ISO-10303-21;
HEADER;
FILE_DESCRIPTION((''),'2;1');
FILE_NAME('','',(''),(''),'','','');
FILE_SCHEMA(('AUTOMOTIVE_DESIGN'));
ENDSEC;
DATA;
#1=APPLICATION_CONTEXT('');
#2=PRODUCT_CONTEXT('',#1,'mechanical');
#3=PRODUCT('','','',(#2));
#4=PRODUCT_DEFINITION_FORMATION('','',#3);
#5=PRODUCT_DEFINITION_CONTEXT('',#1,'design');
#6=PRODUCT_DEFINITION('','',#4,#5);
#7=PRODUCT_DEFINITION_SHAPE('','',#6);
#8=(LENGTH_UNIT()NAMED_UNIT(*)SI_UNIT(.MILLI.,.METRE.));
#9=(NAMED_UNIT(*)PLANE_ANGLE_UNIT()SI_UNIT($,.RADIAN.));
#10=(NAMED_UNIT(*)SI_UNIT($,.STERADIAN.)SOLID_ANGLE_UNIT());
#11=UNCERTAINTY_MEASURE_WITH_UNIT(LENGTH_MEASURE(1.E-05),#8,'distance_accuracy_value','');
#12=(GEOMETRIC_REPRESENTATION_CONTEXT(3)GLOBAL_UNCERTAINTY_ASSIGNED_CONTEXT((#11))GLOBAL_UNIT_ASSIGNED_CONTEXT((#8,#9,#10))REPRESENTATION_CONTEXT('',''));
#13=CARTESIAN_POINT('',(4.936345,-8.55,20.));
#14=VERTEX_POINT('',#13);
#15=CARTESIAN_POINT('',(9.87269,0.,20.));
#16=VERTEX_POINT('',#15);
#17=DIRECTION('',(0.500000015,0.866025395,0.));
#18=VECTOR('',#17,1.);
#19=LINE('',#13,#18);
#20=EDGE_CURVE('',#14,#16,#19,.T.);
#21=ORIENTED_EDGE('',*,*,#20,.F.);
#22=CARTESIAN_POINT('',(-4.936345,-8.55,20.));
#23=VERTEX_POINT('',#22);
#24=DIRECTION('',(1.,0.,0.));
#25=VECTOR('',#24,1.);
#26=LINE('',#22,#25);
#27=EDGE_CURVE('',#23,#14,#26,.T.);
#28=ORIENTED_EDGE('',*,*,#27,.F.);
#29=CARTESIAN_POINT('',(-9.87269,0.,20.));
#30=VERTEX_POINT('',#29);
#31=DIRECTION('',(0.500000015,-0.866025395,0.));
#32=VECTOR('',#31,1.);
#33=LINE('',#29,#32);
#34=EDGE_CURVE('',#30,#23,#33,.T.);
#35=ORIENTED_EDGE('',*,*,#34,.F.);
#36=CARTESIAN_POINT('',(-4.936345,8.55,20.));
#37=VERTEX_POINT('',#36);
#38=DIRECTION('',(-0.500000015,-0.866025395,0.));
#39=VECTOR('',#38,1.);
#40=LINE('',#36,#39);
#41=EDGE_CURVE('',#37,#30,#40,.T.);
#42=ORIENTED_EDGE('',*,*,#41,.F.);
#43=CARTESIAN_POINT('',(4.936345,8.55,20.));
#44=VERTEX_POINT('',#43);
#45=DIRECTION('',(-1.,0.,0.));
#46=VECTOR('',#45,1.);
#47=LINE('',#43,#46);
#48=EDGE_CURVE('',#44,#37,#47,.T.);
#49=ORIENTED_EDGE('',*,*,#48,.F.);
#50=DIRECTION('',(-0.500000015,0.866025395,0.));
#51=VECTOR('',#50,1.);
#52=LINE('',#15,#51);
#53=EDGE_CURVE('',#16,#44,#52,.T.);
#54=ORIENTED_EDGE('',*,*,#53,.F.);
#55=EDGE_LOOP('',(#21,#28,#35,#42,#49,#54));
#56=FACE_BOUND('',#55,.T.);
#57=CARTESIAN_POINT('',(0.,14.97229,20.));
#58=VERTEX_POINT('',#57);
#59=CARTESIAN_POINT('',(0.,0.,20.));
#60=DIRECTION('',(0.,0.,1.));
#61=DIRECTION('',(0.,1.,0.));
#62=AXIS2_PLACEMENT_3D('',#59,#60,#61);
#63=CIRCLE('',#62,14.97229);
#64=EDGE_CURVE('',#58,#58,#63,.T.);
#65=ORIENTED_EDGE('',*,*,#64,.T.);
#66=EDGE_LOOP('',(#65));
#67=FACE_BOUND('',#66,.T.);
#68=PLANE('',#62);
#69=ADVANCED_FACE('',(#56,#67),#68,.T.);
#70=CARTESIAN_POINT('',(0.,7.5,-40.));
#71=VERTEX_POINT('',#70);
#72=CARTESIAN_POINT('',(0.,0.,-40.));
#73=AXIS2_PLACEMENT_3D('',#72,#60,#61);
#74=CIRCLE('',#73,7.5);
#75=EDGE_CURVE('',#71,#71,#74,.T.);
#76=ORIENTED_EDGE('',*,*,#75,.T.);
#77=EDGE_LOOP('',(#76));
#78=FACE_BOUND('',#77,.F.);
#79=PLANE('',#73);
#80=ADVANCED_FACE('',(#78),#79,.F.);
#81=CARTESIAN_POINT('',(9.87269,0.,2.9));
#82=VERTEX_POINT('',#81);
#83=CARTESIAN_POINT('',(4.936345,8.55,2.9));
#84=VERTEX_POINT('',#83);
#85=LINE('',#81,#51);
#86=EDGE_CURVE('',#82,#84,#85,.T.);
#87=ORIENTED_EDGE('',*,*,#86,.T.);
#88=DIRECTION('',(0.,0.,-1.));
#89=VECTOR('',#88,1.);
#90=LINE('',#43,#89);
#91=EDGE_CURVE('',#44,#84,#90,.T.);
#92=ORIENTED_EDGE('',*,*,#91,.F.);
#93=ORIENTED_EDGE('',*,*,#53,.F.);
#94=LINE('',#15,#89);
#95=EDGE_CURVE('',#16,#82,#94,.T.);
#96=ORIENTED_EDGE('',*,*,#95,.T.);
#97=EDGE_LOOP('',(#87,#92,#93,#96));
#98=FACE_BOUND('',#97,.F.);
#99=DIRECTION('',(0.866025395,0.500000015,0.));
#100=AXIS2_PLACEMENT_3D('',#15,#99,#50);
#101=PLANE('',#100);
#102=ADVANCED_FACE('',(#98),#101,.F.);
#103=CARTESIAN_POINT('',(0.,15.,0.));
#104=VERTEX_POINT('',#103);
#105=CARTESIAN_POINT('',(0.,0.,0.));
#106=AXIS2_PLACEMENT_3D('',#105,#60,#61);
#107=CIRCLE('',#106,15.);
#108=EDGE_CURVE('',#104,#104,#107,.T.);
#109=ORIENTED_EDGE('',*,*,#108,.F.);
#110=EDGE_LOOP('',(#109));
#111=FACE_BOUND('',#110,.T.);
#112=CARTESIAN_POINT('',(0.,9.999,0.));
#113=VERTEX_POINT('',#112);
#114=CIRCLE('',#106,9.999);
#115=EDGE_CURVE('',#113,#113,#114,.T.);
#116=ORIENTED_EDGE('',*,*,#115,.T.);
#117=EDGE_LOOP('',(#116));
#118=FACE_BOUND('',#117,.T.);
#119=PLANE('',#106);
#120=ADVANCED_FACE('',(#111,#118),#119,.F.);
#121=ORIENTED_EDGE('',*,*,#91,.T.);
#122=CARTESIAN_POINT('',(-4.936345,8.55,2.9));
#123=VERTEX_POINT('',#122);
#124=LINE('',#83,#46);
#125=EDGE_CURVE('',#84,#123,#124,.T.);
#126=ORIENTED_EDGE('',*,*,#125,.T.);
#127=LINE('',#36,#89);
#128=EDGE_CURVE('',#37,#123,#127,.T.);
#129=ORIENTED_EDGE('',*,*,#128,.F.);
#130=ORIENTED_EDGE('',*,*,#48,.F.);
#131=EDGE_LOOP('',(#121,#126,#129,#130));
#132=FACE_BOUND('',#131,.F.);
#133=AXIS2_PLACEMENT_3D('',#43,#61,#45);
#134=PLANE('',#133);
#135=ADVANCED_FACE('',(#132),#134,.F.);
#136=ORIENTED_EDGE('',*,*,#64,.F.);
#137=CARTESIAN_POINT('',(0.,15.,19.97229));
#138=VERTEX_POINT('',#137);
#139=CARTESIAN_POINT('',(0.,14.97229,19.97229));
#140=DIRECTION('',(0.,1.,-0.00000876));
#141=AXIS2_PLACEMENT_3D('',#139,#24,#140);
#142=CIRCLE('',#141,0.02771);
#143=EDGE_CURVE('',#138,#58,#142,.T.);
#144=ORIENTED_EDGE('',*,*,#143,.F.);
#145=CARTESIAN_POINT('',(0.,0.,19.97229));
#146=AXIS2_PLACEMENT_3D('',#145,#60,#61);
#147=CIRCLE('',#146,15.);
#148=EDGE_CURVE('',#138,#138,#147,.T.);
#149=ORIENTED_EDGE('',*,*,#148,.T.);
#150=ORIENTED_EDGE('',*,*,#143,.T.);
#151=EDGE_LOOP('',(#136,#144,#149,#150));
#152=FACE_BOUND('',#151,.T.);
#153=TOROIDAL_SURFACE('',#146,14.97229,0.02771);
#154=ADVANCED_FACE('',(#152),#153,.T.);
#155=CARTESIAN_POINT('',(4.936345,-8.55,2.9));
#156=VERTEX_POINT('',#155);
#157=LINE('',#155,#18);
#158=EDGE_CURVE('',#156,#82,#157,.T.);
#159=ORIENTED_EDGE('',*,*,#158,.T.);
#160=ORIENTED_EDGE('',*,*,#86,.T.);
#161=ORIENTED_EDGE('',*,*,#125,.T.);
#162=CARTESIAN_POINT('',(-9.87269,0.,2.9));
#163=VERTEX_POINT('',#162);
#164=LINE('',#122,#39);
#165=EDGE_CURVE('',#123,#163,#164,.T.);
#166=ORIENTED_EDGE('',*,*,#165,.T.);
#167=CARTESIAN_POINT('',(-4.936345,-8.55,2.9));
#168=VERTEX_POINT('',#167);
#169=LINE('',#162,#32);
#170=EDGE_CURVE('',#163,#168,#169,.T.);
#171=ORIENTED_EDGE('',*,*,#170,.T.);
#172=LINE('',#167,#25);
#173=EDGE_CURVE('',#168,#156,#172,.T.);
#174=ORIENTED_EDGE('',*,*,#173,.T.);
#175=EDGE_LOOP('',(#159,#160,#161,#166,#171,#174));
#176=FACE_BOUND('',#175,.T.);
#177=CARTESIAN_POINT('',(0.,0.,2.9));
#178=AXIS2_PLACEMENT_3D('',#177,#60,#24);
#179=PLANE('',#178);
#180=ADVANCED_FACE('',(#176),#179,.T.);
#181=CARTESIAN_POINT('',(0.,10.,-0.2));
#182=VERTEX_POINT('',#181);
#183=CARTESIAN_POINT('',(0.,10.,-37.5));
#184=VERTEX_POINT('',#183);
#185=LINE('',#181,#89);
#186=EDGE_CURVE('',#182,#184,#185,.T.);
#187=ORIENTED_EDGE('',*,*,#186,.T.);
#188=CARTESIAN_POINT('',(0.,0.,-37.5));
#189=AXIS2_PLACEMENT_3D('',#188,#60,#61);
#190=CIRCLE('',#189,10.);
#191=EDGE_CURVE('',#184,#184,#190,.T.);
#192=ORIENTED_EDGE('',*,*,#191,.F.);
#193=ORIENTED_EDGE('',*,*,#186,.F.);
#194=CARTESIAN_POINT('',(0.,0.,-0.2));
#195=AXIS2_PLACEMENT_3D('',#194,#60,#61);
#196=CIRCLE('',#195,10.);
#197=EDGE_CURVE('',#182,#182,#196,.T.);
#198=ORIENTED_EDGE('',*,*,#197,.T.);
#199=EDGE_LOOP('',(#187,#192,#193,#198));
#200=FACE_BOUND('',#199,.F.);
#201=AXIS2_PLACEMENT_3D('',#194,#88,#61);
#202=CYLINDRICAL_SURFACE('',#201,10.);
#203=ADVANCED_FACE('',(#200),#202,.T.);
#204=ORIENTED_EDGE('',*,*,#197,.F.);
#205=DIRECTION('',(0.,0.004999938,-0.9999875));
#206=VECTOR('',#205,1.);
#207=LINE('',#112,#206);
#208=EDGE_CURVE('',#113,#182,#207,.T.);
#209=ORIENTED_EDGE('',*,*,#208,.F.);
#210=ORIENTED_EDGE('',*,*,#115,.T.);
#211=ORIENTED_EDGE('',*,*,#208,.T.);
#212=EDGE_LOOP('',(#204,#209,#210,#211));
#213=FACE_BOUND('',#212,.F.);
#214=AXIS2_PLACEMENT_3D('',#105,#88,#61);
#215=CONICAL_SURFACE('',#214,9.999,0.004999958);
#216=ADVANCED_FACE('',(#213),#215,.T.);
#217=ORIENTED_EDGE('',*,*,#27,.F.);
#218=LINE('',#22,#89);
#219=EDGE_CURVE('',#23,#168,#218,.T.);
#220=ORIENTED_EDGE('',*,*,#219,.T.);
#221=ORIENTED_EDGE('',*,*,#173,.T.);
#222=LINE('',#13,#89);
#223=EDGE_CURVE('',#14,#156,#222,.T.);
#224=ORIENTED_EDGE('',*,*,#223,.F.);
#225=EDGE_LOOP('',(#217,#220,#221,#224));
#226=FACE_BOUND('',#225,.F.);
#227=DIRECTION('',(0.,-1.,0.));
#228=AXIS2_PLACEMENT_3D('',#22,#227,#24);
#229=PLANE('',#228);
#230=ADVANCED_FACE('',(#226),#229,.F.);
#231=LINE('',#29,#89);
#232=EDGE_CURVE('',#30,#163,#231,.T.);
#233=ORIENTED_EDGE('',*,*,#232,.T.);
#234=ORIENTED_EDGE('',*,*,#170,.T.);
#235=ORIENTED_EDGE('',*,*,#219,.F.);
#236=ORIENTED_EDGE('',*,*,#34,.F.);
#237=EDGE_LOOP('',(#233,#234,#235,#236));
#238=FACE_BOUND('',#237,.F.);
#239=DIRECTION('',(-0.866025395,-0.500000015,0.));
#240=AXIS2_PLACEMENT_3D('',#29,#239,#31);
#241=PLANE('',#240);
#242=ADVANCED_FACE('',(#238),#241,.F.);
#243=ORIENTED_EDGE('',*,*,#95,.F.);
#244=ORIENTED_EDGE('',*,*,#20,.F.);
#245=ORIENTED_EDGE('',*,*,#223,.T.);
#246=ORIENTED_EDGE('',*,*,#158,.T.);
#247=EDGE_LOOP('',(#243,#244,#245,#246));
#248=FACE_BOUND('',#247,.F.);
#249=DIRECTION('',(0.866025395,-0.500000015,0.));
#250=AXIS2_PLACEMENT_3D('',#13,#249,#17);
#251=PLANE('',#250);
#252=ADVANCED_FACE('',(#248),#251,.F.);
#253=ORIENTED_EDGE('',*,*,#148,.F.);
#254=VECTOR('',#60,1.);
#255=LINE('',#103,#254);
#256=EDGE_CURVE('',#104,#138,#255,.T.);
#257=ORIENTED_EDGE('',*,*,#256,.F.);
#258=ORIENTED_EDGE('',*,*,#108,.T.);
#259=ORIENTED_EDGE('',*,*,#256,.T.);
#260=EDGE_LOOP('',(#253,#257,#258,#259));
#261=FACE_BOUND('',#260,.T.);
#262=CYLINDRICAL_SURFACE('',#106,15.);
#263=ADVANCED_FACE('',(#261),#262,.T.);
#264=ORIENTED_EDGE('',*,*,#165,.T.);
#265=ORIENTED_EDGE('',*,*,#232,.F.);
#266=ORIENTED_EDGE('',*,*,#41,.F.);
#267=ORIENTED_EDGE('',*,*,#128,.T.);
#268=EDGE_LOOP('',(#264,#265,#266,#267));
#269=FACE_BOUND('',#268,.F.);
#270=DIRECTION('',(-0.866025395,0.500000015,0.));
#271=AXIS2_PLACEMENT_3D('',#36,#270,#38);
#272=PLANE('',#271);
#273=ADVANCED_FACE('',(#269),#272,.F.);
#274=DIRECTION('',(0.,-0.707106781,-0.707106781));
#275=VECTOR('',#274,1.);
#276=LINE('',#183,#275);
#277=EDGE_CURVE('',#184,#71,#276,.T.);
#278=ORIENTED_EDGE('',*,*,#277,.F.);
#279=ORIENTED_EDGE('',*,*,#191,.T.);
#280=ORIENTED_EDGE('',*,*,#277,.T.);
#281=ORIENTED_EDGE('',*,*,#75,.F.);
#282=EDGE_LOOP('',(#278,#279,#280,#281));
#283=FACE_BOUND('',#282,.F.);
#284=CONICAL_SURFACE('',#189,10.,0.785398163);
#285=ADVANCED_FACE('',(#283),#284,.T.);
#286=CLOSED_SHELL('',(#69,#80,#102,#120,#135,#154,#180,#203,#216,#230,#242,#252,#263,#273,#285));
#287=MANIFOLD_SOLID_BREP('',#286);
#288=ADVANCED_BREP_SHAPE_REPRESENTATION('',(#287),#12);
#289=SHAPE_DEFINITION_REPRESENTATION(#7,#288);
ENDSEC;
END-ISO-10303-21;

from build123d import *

# Parameters (mm, degrees)
POCKET_DEPTH = 17.1


with BuildPart() as part:
    # Sketch → Revolve (revolve)
    with BuildSketch(Plane.YZ):
        with BuildLine():
            Line((9.999, 0), (15, 0))
            Line((15, 0), (15, 19.97229))
            ThreePointArc((15, 19.97229), (14.991884, 19.991884), (14.97229, 20))
            Line((14.97229, 20), (0, 20))
            Line((0, -40), (0, 20))
            Line((7.5, -40), (0, -40))
            Line((10, -37.5), (7.5, -40))
            Line((10, -0.2), (10, -37.5))
            Line((9.999, 0), (10, -0.2))
        make_face()
    revolve(axis=Axis((0, 0, 0), (0, 0, 1)))

    # Sketch001 → Pocket (cut)
    with BuildSketch(Plane.XY.offset(20)):
        Polygon((9.87269, 0), (4.936345, 8.55), (-4.936345, 8.55), (-9.87269, 0), (-4.936345, -8.55), (4.936345, -8.55), align=None)
    extrude(amount=-POCKET_DEPTH, mode=Mode.SUBTRACT)


solid = part.part
